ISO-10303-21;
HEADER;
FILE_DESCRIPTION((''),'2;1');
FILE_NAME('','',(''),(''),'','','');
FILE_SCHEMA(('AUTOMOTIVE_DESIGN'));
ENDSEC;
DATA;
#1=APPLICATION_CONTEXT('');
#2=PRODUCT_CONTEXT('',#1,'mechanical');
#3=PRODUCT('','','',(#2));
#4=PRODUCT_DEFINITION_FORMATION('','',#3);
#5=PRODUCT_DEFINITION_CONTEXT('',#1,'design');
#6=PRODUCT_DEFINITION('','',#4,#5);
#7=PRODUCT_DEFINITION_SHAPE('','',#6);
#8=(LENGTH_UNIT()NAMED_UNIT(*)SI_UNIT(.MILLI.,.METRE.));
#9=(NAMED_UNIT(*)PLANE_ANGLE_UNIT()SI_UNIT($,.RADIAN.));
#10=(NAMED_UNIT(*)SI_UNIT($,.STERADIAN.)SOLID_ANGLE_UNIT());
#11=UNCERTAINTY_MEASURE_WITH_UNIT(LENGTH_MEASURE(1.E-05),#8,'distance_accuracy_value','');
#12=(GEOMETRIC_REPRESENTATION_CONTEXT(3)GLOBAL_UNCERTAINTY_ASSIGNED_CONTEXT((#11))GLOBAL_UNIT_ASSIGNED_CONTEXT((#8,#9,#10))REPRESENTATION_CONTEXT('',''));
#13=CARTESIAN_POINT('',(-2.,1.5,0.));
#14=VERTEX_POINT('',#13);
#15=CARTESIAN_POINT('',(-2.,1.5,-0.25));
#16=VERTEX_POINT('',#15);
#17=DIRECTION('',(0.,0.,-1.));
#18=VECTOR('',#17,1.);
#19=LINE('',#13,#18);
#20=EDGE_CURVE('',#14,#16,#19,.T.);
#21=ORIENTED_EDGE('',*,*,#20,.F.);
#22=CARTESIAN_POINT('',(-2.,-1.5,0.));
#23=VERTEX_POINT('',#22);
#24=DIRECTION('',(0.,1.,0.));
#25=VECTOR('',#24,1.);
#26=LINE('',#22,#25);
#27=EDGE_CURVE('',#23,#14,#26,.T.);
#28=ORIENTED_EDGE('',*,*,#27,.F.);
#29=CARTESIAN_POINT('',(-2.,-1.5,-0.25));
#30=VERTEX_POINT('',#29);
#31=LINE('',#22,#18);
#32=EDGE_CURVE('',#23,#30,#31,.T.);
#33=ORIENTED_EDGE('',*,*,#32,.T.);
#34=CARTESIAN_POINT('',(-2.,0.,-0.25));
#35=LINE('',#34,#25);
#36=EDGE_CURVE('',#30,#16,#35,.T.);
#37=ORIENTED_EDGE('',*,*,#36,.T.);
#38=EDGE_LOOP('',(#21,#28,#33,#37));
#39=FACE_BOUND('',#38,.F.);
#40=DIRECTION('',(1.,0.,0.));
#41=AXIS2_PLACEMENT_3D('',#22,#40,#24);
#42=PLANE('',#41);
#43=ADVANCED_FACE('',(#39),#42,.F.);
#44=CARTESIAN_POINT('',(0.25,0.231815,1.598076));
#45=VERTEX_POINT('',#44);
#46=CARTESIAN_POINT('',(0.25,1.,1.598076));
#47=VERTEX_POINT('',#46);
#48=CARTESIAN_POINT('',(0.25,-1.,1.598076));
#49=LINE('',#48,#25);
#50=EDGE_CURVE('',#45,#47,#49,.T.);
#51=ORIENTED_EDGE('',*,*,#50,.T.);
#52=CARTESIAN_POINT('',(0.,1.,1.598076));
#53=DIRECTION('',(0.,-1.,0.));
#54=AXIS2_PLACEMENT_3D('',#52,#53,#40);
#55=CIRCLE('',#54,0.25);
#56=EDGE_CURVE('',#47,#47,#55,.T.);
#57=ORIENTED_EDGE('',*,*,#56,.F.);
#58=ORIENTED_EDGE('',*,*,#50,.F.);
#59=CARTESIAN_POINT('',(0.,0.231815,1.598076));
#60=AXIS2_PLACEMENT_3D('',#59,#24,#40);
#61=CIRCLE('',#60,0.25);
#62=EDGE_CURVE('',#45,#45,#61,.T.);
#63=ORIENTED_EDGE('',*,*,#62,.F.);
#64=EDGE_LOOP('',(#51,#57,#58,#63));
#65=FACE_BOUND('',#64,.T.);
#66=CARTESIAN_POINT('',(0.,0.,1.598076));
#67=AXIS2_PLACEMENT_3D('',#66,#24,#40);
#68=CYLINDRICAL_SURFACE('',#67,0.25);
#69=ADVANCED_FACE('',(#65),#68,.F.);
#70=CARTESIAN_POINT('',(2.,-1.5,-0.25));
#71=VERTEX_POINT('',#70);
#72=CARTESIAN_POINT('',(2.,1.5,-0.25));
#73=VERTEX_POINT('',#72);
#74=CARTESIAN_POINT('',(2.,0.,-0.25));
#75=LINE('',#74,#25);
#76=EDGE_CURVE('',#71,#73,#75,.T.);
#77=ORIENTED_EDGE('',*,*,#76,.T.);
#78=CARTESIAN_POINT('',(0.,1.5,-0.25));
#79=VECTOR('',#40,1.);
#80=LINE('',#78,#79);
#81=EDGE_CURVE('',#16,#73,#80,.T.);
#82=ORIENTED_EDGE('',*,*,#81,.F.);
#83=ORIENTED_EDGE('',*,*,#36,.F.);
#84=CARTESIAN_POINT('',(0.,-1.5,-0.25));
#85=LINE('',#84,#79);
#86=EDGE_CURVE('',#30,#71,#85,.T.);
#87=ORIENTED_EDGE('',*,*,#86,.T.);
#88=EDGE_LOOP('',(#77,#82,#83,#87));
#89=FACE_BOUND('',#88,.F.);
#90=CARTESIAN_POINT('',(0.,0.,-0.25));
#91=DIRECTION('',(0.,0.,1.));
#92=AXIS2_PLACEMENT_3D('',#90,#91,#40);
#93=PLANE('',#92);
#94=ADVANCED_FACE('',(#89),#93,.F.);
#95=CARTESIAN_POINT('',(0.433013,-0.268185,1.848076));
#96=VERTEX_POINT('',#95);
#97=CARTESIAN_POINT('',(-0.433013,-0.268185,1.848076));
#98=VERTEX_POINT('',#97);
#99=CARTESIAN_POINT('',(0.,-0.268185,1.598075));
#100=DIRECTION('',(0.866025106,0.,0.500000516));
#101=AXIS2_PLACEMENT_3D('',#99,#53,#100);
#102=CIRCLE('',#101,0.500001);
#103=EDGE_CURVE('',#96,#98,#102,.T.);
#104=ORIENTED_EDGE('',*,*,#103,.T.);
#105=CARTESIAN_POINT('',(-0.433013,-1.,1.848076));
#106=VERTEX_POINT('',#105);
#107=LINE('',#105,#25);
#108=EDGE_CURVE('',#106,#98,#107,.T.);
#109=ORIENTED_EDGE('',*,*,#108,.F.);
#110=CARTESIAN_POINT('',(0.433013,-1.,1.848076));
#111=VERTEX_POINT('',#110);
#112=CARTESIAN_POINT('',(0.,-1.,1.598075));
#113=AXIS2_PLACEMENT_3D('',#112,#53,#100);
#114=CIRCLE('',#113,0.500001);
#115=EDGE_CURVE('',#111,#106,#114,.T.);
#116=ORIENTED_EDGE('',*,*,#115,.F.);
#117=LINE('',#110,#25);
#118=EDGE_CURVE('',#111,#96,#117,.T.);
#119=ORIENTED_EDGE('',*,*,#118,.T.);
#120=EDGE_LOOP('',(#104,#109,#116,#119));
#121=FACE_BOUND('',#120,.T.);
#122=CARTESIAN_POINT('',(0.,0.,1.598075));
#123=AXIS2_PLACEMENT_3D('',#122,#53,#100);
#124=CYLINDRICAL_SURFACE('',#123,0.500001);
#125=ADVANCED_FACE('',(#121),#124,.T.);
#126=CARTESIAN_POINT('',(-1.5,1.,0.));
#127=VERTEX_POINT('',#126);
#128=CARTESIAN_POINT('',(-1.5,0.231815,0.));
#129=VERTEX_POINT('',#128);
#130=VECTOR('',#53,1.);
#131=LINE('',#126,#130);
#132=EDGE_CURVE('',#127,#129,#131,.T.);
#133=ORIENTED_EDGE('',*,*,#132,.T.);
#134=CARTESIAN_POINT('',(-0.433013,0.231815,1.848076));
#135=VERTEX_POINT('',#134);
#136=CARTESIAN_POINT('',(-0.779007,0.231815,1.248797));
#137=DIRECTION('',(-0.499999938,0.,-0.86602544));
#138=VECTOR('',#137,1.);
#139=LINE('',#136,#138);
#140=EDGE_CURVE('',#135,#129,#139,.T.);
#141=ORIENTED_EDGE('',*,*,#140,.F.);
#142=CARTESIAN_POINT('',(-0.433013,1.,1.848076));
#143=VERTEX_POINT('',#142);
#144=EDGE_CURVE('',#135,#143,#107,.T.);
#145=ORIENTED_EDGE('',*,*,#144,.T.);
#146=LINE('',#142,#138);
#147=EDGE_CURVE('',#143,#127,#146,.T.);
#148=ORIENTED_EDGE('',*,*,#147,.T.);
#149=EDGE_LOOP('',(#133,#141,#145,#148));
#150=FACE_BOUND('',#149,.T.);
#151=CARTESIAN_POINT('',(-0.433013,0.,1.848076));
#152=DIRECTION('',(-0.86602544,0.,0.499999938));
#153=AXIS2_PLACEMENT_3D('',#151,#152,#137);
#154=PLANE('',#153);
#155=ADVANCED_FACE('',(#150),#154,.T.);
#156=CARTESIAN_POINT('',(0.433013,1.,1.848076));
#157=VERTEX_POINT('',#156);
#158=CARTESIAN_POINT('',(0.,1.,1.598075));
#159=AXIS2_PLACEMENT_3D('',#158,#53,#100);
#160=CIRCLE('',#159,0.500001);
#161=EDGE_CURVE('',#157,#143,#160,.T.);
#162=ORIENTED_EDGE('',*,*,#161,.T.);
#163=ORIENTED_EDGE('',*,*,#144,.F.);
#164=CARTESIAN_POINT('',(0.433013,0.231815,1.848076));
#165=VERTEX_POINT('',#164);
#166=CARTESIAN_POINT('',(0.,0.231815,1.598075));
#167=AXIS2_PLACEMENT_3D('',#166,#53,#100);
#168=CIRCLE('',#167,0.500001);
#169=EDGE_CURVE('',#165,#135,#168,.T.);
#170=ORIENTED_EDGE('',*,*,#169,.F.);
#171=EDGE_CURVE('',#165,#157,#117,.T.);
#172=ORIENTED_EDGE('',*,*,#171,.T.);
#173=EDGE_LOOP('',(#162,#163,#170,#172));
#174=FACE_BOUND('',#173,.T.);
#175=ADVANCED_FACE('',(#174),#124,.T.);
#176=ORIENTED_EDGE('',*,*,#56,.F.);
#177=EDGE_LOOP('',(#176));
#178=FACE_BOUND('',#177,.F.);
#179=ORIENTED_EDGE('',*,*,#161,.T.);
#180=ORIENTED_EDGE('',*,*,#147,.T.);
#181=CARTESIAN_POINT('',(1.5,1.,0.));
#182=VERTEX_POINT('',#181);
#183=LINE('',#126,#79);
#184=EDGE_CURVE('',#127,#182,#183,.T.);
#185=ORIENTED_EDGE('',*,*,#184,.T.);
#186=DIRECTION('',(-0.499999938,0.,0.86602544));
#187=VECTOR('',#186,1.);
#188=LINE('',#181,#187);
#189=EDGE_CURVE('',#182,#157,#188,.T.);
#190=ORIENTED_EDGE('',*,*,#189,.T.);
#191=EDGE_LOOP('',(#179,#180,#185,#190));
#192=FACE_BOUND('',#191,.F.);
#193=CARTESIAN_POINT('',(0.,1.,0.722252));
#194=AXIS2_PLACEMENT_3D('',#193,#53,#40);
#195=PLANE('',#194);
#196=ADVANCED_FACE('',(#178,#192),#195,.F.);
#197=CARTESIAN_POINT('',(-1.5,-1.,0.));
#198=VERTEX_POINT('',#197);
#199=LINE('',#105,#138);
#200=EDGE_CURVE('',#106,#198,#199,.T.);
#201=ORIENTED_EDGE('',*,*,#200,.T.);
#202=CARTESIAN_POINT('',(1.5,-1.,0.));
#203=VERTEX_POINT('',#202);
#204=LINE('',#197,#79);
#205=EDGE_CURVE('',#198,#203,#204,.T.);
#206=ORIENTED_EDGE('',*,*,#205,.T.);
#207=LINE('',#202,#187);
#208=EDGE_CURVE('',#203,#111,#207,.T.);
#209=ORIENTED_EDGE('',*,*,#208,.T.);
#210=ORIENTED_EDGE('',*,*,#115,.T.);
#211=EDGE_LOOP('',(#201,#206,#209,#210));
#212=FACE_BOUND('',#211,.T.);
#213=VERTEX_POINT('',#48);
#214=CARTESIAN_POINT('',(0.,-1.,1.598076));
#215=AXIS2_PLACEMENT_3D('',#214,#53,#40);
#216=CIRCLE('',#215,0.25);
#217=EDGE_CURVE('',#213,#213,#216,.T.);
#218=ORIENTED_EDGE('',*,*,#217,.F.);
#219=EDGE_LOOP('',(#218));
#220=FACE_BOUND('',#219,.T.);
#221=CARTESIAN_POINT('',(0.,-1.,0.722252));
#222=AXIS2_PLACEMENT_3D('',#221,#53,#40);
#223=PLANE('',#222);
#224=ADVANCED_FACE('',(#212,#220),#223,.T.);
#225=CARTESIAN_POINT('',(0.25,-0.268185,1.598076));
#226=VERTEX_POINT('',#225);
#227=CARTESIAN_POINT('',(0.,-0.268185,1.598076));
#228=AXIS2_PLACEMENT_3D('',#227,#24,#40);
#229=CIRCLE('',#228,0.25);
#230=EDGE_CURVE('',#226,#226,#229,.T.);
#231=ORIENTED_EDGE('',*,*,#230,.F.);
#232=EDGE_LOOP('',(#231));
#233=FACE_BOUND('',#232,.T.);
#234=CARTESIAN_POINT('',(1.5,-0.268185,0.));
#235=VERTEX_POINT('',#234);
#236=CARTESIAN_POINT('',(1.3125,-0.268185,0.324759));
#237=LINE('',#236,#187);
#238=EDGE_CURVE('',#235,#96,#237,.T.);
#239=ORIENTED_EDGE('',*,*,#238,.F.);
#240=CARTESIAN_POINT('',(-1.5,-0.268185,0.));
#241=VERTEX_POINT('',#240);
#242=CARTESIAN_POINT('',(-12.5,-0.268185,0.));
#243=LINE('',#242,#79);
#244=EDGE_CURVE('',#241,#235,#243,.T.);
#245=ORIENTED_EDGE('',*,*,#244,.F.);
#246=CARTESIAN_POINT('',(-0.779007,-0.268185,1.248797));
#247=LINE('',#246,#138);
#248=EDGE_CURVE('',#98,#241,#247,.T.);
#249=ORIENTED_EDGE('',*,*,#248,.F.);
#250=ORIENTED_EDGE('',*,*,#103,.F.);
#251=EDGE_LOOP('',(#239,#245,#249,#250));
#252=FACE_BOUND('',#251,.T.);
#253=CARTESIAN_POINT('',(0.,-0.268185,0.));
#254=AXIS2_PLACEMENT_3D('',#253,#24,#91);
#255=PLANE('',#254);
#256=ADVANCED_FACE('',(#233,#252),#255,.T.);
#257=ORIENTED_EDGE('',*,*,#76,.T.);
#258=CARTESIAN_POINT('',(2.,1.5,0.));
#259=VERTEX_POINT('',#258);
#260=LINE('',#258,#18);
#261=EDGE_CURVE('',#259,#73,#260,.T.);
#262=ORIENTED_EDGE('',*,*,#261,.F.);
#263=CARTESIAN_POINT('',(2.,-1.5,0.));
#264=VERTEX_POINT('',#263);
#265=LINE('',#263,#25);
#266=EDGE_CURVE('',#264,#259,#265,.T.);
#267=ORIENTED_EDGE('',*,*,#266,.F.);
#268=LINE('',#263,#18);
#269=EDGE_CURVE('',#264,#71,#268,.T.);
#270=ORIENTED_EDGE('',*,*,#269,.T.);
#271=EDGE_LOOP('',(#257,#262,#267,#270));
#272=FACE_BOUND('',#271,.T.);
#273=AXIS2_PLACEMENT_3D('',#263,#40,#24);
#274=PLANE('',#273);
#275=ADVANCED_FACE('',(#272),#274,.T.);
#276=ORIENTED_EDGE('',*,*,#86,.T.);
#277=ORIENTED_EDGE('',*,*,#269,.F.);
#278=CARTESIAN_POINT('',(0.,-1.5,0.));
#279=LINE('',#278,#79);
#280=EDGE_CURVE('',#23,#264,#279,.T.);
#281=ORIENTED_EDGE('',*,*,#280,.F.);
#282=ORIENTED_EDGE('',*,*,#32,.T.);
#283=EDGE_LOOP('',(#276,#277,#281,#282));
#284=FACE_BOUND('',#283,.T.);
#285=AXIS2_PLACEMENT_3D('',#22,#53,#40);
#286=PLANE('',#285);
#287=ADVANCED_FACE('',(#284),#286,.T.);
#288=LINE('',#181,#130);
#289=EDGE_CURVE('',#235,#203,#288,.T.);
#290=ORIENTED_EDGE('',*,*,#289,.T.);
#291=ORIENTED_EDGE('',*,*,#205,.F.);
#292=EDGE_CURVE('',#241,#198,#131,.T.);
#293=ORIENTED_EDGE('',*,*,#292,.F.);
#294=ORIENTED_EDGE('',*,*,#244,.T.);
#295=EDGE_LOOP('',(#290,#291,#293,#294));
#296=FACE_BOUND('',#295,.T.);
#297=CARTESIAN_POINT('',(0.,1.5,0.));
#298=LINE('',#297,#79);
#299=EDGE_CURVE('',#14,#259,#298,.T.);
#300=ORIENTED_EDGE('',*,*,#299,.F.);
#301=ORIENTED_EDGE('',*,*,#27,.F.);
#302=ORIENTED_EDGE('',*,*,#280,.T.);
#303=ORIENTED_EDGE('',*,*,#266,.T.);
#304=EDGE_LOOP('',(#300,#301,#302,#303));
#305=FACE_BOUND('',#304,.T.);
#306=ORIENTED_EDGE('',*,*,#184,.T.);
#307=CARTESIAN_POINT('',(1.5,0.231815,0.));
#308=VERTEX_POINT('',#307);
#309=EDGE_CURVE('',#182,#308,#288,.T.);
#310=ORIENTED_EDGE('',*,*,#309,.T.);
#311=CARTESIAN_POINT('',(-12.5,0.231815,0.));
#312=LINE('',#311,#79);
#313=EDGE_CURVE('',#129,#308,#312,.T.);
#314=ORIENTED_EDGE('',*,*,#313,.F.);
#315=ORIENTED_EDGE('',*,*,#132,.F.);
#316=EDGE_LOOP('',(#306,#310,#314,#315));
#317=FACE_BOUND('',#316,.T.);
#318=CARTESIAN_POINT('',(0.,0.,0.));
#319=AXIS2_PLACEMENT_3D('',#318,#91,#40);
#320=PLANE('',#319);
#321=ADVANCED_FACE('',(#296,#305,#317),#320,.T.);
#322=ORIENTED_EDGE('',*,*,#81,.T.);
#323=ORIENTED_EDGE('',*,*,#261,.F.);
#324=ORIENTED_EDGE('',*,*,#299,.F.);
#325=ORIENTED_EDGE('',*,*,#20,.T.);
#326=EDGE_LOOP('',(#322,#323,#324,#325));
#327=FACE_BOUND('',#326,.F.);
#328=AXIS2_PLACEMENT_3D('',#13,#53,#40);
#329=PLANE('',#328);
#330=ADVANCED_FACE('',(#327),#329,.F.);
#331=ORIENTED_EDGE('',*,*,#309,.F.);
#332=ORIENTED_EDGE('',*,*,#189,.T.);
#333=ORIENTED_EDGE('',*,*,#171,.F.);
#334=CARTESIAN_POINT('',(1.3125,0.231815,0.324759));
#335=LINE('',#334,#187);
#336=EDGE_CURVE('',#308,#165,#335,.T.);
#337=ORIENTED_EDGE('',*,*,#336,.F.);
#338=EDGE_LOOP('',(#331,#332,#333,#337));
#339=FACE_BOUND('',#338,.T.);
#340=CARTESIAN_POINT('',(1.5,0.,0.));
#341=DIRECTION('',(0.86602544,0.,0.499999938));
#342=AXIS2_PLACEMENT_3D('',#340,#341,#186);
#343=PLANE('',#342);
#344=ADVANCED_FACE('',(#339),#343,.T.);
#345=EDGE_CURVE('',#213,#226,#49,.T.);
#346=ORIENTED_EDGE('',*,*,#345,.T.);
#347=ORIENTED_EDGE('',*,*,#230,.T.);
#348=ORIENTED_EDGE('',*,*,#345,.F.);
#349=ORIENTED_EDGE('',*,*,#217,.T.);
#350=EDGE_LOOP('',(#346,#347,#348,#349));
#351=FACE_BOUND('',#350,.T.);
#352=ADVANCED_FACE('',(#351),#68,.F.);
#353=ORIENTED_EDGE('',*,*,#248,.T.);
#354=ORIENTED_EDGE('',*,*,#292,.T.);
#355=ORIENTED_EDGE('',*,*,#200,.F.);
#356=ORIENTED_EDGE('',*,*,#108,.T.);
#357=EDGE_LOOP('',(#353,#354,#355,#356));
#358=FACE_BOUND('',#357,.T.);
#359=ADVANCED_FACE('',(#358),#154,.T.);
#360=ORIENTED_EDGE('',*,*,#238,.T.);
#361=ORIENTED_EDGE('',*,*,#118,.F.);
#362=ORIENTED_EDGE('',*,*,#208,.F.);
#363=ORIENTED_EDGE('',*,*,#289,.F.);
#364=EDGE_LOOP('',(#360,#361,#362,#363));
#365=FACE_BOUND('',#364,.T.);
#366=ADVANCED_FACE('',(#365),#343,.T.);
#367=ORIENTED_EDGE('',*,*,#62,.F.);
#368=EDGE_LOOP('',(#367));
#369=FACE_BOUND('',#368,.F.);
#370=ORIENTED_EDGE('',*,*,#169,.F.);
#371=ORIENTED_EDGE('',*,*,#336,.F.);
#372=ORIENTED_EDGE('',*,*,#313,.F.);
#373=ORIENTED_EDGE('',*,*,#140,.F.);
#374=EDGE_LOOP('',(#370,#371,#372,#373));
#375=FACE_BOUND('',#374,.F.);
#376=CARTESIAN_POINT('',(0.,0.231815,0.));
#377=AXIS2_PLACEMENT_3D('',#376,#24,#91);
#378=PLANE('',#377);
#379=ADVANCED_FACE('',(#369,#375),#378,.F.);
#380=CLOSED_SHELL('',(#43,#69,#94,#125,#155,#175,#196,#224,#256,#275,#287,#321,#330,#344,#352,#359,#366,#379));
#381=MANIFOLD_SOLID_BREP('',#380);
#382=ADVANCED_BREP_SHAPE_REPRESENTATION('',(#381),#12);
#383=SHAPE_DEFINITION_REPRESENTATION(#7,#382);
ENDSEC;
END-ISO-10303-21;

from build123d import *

# Parameters (mm, degrees)
F0_W     = 4
F0_H     = 3
F1_DEPTH = 0.25
F2_R     = 0.25
F3_DEPTH = 1
F4_W     = 0.5
F4_H     = 2.124262
F5_DEPTH = 12.5


with BuildPart() as f1:
    # F0 (on Top) → F1 (new body)
    with BuildSketch(Plane.XY):
        Rectangle(F0_W, F0_H)
    extrude(amount=-F1_DEPTH)

    # F2 (on Front) → F3 (join, symmetric)
    with BuildSketch(Plane.XZ):
        with BuildLine():
            Line((-0.433013, 1.848076), (-1.5, 0))
            Line((-1.5, 0), (1.5, 0))
            Line((1.5, 0), (0.433013, 1.848076))
            ThreePointArc((0.433013, 1.848076), (0, 2.098076), (-0.433013, 1.848076))
        make_face()
        with Locations((0, 1.598076)):
            Circle(F2_R, mode=Mode.SUBTRACT)
    extrude(amount=F3_DEPTH, both=True)

    # F4 (on Right) → F5 (cut, symmetric)
    with BuildSketch(Plane.YZ):
        with Locations((-0.018185, 1.062131)):
            Rectangle(F4_W, F4_H)
    extrude(amount=F5_DEPTH, both=True, mode=Mode.SUBTRACT)


solid = f1.part
